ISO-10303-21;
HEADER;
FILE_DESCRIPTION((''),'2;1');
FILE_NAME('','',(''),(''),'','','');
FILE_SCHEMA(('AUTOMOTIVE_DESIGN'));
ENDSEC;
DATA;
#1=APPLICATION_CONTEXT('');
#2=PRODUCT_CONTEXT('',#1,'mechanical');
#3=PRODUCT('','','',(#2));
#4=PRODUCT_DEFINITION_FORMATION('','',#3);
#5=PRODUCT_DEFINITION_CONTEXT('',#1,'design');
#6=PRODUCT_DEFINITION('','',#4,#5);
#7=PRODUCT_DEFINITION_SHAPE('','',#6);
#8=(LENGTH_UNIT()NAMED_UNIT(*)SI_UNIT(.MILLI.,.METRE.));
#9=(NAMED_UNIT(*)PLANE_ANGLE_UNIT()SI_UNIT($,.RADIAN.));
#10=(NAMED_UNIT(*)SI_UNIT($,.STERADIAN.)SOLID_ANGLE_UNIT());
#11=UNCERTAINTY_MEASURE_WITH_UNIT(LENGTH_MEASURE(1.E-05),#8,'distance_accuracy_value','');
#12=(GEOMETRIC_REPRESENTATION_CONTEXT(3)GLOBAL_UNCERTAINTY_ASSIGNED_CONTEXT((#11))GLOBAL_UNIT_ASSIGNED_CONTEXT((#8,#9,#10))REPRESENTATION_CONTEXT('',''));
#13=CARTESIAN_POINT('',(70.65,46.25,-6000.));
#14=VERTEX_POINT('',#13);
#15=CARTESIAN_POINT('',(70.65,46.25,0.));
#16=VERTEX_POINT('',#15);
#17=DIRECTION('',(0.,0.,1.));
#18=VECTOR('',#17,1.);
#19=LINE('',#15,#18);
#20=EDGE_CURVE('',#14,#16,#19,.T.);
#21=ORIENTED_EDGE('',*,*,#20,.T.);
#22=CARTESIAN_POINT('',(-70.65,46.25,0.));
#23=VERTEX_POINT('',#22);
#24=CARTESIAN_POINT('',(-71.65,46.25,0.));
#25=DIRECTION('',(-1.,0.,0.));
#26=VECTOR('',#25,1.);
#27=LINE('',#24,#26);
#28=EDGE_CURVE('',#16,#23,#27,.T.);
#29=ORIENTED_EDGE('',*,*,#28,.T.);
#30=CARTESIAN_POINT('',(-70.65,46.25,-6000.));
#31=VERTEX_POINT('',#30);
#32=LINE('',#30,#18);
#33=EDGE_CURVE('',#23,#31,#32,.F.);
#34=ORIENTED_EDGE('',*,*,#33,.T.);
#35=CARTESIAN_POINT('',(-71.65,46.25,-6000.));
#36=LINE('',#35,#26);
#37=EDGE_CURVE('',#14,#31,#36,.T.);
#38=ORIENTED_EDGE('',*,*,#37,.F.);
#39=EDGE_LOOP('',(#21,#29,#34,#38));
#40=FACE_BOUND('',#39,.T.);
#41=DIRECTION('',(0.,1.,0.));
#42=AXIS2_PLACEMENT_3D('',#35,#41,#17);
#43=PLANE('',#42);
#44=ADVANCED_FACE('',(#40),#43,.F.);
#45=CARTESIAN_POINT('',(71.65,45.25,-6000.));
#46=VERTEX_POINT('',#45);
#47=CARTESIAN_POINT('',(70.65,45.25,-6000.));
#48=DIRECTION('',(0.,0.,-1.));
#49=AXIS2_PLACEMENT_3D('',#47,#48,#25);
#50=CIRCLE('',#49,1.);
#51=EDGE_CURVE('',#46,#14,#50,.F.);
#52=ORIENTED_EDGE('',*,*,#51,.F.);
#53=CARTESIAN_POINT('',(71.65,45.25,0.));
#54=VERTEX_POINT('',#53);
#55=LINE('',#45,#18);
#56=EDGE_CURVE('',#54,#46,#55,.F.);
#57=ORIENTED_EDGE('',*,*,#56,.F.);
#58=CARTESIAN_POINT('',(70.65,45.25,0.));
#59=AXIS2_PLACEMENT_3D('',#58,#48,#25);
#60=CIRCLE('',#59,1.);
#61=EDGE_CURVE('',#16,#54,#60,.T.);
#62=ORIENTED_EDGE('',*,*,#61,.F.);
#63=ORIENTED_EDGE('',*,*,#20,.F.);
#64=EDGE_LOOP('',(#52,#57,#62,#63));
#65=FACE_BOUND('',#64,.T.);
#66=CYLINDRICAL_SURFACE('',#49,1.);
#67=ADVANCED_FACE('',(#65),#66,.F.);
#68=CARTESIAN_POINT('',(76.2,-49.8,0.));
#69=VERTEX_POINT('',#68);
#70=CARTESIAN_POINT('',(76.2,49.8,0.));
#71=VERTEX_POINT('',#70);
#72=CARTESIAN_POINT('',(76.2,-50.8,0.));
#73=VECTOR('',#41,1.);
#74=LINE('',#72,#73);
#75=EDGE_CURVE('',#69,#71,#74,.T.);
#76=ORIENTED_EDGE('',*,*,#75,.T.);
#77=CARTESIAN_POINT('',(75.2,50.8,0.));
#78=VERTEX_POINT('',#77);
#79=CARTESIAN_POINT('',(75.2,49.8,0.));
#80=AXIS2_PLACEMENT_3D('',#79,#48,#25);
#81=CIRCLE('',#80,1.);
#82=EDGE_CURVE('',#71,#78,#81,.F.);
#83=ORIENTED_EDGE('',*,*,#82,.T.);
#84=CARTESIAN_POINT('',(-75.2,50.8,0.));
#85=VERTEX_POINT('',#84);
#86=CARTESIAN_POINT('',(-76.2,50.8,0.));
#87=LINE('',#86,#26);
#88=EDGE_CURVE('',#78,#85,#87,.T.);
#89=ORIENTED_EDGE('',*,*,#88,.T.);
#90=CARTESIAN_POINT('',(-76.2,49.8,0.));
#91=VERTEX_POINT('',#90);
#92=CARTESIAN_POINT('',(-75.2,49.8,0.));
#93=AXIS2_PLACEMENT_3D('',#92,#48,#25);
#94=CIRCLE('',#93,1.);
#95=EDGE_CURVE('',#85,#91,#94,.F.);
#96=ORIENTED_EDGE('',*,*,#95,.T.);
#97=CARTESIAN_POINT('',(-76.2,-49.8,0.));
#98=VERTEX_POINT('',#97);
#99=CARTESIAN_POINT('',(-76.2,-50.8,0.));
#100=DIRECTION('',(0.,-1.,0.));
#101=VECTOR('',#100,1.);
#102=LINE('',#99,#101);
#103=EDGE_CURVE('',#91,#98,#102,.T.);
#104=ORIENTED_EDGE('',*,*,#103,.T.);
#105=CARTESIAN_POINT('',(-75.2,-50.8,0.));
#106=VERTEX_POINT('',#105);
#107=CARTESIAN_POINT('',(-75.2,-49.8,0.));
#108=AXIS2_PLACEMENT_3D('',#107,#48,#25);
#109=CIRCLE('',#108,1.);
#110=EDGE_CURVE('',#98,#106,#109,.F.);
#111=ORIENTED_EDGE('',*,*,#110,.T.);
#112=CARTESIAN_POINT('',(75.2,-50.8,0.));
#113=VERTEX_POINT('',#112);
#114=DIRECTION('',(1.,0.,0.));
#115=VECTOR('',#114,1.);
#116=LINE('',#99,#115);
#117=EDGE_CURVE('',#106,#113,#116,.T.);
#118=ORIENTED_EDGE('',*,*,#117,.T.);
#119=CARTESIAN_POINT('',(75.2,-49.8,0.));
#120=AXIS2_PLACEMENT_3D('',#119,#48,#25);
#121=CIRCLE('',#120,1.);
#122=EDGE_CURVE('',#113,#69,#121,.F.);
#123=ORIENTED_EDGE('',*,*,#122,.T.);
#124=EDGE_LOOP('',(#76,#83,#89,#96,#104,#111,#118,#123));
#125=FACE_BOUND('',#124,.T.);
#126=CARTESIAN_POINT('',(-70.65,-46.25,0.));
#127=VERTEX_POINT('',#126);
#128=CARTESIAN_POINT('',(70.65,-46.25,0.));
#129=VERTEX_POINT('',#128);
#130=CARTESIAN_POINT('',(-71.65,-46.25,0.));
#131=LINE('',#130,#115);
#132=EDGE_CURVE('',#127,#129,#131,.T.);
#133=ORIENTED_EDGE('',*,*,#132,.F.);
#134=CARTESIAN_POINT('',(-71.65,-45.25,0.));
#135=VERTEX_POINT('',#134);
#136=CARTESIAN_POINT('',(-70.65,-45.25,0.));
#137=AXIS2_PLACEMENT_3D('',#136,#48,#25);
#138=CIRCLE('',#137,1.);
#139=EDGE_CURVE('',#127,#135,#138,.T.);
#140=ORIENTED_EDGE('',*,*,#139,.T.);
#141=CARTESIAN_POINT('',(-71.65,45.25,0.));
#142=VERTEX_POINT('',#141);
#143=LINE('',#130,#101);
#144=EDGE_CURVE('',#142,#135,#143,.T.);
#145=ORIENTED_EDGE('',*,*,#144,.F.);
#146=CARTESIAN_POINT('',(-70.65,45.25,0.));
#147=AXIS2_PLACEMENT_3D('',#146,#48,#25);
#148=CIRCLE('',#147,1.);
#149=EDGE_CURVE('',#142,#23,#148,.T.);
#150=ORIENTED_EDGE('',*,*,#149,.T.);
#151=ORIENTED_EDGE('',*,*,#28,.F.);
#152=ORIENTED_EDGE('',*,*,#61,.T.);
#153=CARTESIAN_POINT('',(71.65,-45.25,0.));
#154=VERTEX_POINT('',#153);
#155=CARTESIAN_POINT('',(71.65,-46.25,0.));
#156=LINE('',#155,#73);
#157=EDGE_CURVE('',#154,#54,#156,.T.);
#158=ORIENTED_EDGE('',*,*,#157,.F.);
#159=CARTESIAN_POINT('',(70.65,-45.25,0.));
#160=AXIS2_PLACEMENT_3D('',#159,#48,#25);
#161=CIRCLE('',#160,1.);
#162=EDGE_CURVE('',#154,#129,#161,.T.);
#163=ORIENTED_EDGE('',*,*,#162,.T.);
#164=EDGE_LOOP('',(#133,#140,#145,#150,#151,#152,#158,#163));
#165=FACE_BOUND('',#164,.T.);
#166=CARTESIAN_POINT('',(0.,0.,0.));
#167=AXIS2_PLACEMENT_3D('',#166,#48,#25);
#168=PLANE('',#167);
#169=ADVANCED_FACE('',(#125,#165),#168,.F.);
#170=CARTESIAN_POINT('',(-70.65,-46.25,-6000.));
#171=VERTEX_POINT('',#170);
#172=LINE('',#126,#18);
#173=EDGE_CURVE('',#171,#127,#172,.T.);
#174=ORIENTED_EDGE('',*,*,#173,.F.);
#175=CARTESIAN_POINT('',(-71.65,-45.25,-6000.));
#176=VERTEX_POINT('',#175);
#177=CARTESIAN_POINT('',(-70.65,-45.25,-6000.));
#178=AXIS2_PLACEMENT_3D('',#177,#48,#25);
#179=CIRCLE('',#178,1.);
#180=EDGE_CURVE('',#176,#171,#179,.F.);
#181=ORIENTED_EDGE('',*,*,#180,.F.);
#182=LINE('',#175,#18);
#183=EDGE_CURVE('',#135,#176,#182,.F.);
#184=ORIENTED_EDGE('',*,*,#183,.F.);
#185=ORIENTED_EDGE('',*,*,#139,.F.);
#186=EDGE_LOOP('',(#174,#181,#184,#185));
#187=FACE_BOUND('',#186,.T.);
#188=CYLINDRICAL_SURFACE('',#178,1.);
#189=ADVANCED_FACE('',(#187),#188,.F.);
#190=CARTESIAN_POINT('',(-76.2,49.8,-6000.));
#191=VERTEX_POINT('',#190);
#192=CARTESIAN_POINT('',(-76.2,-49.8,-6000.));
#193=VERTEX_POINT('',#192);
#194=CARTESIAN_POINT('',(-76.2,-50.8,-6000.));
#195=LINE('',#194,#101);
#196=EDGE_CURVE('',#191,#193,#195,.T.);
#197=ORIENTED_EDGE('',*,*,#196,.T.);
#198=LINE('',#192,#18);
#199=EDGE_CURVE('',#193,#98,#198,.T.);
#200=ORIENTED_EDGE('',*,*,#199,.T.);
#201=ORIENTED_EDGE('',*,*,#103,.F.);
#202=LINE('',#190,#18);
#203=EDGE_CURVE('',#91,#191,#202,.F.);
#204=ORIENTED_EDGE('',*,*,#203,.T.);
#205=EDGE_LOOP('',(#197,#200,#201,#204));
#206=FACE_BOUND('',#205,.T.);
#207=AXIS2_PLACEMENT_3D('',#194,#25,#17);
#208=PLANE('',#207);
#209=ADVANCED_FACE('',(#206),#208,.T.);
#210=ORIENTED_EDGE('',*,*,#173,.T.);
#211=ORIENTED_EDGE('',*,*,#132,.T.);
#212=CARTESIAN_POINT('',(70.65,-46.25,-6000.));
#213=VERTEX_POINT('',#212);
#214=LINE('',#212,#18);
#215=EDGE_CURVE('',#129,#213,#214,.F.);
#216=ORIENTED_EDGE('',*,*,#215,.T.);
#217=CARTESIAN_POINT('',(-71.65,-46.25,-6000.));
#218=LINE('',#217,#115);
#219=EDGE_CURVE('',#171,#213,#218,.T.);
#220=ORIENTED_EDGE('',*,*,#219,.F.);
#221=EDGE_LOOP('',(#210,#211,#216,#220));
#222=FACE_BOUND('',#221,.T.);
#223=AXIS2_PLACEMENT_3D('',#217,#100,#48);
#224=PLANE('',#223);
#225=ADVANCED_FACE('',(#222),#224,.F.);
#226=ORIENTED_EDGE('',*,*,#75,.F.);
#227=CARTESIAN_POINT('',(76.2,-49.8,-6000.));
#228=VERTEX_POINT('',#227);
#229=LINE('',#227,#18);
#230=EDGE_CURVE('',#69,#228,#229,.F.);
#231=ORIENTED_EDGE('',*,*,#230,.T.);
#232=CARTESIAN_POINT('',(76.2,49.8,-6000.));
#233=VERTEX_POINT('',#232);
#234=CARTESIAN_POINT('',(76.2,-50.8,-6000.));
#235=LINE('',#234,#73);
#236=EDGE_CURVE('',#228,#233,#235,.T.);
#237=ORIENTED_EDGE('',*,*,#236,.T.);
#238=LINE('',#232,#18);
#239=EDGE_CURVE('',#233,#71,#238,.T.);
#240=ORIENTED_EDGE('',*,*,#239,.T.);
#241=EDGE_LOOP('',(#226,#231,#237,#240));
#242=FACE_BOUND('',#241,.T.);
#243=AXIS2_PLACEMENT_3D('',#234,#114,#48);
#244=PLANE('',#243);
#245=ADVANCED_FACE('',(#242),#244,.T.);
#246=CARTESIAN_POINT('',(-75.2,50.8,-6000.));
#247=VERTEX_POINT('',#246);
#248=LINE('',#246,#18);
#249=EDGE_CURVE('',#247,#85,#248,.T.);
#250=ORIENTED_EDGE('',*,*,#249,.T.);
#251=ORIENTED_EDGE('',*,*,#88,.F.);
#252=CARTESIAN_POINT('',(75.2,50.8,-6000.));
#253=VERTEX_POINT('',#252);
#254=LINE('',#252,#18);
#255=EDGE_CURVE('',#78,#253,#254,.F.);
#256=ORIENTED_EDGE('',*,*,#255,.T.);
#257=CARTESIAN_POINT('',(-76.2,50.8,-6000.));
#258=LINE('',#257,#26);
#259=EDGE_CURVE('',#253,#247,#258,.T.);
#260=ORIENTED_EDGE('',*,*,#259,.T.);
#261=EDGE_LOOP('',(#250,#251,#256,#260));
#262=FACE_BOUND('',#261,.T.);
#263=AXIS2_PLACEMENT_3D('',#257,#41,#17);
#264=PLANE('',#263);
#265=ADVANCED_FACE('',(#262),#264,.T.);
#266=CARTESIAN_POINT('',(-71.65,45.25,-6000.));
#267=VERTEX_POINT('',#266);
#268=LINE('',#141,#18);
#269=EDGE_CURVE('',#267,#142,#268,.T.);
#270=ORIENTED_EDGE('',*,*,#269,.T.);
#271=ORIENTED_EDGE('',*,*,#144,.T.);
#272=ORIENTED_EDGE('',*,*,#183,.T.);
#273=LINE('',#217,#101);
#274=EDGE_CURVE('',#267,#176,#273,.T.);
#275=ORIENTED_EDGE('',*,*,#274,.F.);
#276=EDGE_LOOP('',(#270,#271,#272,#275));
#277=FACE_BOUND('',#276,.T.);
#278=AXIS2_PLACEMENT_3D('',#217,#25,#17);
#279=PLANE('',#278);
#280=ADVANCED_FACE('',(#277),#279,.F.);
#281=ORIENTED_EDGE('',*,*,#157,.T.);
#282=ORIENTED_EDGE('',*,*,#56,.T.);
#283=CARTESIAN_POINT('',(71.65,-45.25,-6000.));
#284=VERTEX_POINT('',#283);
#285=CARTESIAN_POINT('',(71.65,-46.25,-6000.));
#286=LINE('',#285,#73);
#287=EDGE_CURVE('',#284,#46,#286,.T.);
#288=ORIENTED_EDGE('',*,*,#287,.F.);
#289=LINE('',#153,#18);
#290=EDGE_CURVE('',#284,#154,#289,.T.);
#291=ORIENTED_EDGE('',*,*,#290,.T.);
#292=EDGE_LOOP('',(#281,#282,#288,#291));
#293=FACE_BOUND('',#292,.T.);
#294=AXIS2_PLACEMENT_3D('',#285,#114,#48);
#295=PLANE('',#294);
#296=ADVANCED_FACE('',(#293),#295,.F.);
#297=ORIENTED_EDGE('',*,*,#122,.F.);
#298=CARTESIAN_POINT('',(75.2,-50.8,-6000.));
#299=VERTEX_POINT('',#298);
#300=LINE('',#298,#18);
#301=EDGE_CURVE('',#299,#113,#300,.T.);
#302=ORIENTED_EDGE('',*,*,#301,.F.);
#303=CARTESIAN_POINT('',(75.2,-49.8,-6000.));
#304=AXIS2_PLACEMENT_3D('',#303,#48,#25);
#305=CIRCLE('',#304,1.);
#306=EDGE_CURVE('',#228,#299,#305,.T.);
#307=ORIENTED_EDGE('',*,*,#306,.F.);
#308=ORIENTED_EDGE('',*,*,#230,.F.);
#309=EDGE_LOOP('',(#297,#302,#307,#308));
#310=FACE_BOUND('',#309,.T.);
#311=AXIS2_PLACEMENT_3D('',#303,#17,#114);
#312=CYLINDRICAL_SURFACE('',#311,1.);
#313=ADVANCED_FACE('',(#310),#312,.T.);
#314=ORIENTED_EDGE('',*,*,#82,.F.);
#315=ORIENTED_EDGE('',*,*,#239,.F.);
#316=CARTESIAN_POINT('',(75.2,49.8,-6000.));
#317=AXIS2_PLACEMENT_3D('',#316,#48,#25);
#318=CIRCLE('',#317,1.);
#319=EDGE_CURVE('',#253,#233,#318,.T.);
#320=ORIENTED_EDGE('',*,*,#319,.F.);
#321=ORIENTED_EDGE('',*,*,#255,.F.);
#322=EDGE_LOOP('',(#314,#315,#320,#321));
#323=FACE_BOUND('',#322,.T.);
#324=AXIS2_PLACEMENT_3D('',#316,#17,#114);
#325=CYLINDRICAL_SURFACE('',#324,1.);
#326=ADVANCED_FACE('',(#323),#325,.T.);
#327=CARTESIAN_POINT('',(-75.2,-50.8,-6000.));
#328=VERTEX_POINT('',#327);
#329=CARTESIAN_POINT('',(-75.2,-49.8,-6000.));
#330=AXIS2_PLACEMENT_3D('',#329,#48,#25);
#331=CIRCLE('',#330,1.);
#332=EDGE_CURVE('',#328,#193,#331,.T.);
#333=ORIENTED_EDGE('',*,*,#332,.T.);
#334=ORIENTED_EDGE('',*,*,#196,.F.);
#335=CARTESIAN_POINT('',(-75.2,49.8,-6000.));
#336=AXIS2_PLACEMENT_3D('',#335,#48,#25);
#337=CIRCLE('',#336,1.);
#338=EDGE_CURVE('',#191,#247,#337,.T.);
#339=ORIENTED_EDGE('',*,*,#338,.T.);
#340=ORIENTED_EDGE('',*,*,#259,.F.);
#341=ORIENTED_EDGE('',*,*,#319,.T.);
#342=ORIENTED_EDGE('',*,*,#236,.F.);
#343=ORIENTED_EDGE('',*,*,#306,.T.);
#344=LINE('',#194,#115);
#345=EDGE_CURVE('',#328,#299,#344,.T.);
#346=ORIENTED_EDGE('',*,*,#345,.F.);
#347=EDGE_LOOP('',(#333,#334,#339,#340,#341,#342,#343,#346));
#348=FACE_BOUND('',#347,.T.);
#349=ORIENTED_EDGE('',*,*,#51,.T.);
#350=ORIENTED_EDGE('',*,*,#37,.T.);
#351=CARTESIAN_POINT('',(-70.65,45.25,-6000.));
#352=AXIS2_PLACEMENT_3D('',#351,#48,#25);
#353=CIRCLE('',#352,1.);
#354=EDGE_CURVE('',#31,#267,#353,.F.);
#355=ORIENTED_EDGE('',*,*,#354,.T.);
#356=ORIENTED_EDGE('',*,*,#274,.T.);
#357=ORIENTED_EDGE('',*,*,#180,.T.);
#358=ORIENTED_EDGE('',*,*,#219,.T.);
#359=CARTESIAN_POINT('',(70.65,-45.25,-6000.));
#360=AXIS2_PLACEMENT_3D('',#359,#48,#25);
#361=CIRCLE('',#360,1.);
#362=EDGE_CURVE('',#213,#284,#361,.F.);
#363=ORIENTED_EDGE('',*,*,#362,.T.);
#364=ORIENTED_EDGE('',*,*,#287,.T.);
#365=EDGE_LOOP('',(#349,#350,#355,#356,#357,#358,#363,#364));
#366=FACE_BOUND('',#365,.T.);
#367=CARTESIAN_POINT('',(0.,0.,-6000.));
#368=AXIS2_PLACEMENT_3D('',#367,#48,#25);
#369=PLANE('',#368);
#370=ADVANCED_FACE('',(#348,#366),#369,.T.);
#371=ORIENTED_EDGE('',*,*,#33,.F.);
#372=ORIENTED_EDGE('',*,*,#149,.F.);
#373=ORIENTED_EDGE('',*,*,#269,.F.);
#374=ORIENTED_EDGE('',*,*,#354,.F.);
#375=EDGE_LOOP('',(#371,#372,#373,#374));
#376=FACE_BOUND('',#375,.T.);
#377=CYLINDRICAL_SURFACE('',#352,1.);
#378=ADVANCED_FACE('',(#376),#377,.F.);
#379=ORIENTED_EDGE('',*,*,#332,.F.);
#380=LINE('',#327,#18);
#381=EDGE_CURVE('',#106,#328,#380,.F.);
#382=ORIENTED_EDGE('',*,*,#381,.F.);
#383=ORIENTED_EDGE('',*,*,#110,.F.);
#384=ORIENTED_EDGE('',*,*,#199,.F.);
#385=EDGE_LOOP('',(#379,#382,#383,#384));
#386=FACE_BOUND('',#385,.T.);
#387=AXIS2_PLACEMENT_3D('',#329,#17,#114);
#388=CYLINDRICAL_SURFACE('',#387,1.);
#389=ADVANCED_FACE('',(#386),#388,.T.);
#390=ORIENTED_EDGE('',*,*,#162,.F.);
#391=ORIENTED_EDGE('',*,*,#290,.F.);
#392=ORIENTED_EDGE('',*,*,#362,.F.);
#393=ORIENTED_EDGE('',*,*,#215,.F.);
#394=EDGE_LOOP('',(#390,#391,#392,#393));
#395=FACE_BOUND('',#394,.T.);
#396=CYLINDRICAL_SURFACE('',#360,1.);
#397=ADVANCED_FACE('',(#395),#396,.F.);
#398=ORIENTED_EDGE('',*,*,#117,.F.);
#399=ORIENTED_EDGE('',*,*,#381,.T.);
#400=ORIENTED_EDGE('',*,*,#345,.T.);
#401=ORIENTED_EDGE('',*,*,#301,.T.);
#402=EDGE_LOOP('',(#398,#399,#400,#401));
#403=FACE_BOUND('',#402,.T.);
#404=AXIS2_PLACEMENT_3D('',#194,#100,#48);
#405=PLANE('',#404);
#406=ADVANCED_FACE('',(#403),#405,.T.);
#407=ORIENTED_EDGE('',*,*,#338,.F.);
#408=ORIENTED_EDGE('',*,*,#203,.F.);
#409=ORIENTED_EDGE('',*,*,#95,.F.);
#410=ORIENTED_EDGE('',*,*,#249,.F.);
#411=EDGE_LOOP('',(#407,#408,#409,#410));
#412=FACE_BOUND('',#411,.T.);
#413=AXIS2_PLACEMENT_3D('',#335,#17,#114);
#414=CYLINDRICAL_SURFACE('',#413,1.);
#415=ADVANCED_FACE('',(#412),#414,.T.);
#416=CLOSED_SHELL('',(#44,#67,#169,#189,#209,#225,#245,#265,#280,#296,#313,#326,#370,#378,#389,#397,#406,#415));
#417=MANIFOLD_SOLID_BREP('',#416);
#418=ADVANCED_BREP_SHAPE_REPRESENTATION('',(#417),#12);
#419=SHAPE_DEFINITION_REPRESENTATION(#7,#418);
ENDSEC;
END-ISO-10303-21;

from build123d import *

# Parameters (mm, degrees)
CROQUIS1_W              = 152.4
CROQUIS1_H              = 101.6
CROQUIS1_W_2            = 143.3
CROQUIS1_H_2            = 92.5
SALIENTE_EXTRUIR1_DEPTH = 6000
REDONDEO1_R             = 1


with BuildPart() as part:
    # Croquis1 → Saliente-Extruir1 (new body)
    with BuildSketch(Plane.XY):
        Rectangle(CROQUIS1_W, CROQUIS1_H)
        Rectangle(CROQUIS1_W_2, CROQUIS1_H_2, mode=Mode.SUBTRACT)
    extrude(amount=-SALIENTE_EXTRUIR1_DEPTH)

    # Redondeo1
    redondeo1_edges = [part.edges().sort_by_distance(p)[0] for p in [
        (71.65, -46.25, -3000),
        (-71.65, -46.25, -3000),
        (-71.65, 46.25, -3000),
        (71.65, 46.25, -3000),
        (76.2, -50.8, -3000),
        (-76.2, -50.8, -3000),
        (-76.2, 50.8, -3000),
        (76.2, 50.8, -3000),
    ]]
    fillet(redondeo1_edges, radius=REDONDEO1_R)


solid = part.part
